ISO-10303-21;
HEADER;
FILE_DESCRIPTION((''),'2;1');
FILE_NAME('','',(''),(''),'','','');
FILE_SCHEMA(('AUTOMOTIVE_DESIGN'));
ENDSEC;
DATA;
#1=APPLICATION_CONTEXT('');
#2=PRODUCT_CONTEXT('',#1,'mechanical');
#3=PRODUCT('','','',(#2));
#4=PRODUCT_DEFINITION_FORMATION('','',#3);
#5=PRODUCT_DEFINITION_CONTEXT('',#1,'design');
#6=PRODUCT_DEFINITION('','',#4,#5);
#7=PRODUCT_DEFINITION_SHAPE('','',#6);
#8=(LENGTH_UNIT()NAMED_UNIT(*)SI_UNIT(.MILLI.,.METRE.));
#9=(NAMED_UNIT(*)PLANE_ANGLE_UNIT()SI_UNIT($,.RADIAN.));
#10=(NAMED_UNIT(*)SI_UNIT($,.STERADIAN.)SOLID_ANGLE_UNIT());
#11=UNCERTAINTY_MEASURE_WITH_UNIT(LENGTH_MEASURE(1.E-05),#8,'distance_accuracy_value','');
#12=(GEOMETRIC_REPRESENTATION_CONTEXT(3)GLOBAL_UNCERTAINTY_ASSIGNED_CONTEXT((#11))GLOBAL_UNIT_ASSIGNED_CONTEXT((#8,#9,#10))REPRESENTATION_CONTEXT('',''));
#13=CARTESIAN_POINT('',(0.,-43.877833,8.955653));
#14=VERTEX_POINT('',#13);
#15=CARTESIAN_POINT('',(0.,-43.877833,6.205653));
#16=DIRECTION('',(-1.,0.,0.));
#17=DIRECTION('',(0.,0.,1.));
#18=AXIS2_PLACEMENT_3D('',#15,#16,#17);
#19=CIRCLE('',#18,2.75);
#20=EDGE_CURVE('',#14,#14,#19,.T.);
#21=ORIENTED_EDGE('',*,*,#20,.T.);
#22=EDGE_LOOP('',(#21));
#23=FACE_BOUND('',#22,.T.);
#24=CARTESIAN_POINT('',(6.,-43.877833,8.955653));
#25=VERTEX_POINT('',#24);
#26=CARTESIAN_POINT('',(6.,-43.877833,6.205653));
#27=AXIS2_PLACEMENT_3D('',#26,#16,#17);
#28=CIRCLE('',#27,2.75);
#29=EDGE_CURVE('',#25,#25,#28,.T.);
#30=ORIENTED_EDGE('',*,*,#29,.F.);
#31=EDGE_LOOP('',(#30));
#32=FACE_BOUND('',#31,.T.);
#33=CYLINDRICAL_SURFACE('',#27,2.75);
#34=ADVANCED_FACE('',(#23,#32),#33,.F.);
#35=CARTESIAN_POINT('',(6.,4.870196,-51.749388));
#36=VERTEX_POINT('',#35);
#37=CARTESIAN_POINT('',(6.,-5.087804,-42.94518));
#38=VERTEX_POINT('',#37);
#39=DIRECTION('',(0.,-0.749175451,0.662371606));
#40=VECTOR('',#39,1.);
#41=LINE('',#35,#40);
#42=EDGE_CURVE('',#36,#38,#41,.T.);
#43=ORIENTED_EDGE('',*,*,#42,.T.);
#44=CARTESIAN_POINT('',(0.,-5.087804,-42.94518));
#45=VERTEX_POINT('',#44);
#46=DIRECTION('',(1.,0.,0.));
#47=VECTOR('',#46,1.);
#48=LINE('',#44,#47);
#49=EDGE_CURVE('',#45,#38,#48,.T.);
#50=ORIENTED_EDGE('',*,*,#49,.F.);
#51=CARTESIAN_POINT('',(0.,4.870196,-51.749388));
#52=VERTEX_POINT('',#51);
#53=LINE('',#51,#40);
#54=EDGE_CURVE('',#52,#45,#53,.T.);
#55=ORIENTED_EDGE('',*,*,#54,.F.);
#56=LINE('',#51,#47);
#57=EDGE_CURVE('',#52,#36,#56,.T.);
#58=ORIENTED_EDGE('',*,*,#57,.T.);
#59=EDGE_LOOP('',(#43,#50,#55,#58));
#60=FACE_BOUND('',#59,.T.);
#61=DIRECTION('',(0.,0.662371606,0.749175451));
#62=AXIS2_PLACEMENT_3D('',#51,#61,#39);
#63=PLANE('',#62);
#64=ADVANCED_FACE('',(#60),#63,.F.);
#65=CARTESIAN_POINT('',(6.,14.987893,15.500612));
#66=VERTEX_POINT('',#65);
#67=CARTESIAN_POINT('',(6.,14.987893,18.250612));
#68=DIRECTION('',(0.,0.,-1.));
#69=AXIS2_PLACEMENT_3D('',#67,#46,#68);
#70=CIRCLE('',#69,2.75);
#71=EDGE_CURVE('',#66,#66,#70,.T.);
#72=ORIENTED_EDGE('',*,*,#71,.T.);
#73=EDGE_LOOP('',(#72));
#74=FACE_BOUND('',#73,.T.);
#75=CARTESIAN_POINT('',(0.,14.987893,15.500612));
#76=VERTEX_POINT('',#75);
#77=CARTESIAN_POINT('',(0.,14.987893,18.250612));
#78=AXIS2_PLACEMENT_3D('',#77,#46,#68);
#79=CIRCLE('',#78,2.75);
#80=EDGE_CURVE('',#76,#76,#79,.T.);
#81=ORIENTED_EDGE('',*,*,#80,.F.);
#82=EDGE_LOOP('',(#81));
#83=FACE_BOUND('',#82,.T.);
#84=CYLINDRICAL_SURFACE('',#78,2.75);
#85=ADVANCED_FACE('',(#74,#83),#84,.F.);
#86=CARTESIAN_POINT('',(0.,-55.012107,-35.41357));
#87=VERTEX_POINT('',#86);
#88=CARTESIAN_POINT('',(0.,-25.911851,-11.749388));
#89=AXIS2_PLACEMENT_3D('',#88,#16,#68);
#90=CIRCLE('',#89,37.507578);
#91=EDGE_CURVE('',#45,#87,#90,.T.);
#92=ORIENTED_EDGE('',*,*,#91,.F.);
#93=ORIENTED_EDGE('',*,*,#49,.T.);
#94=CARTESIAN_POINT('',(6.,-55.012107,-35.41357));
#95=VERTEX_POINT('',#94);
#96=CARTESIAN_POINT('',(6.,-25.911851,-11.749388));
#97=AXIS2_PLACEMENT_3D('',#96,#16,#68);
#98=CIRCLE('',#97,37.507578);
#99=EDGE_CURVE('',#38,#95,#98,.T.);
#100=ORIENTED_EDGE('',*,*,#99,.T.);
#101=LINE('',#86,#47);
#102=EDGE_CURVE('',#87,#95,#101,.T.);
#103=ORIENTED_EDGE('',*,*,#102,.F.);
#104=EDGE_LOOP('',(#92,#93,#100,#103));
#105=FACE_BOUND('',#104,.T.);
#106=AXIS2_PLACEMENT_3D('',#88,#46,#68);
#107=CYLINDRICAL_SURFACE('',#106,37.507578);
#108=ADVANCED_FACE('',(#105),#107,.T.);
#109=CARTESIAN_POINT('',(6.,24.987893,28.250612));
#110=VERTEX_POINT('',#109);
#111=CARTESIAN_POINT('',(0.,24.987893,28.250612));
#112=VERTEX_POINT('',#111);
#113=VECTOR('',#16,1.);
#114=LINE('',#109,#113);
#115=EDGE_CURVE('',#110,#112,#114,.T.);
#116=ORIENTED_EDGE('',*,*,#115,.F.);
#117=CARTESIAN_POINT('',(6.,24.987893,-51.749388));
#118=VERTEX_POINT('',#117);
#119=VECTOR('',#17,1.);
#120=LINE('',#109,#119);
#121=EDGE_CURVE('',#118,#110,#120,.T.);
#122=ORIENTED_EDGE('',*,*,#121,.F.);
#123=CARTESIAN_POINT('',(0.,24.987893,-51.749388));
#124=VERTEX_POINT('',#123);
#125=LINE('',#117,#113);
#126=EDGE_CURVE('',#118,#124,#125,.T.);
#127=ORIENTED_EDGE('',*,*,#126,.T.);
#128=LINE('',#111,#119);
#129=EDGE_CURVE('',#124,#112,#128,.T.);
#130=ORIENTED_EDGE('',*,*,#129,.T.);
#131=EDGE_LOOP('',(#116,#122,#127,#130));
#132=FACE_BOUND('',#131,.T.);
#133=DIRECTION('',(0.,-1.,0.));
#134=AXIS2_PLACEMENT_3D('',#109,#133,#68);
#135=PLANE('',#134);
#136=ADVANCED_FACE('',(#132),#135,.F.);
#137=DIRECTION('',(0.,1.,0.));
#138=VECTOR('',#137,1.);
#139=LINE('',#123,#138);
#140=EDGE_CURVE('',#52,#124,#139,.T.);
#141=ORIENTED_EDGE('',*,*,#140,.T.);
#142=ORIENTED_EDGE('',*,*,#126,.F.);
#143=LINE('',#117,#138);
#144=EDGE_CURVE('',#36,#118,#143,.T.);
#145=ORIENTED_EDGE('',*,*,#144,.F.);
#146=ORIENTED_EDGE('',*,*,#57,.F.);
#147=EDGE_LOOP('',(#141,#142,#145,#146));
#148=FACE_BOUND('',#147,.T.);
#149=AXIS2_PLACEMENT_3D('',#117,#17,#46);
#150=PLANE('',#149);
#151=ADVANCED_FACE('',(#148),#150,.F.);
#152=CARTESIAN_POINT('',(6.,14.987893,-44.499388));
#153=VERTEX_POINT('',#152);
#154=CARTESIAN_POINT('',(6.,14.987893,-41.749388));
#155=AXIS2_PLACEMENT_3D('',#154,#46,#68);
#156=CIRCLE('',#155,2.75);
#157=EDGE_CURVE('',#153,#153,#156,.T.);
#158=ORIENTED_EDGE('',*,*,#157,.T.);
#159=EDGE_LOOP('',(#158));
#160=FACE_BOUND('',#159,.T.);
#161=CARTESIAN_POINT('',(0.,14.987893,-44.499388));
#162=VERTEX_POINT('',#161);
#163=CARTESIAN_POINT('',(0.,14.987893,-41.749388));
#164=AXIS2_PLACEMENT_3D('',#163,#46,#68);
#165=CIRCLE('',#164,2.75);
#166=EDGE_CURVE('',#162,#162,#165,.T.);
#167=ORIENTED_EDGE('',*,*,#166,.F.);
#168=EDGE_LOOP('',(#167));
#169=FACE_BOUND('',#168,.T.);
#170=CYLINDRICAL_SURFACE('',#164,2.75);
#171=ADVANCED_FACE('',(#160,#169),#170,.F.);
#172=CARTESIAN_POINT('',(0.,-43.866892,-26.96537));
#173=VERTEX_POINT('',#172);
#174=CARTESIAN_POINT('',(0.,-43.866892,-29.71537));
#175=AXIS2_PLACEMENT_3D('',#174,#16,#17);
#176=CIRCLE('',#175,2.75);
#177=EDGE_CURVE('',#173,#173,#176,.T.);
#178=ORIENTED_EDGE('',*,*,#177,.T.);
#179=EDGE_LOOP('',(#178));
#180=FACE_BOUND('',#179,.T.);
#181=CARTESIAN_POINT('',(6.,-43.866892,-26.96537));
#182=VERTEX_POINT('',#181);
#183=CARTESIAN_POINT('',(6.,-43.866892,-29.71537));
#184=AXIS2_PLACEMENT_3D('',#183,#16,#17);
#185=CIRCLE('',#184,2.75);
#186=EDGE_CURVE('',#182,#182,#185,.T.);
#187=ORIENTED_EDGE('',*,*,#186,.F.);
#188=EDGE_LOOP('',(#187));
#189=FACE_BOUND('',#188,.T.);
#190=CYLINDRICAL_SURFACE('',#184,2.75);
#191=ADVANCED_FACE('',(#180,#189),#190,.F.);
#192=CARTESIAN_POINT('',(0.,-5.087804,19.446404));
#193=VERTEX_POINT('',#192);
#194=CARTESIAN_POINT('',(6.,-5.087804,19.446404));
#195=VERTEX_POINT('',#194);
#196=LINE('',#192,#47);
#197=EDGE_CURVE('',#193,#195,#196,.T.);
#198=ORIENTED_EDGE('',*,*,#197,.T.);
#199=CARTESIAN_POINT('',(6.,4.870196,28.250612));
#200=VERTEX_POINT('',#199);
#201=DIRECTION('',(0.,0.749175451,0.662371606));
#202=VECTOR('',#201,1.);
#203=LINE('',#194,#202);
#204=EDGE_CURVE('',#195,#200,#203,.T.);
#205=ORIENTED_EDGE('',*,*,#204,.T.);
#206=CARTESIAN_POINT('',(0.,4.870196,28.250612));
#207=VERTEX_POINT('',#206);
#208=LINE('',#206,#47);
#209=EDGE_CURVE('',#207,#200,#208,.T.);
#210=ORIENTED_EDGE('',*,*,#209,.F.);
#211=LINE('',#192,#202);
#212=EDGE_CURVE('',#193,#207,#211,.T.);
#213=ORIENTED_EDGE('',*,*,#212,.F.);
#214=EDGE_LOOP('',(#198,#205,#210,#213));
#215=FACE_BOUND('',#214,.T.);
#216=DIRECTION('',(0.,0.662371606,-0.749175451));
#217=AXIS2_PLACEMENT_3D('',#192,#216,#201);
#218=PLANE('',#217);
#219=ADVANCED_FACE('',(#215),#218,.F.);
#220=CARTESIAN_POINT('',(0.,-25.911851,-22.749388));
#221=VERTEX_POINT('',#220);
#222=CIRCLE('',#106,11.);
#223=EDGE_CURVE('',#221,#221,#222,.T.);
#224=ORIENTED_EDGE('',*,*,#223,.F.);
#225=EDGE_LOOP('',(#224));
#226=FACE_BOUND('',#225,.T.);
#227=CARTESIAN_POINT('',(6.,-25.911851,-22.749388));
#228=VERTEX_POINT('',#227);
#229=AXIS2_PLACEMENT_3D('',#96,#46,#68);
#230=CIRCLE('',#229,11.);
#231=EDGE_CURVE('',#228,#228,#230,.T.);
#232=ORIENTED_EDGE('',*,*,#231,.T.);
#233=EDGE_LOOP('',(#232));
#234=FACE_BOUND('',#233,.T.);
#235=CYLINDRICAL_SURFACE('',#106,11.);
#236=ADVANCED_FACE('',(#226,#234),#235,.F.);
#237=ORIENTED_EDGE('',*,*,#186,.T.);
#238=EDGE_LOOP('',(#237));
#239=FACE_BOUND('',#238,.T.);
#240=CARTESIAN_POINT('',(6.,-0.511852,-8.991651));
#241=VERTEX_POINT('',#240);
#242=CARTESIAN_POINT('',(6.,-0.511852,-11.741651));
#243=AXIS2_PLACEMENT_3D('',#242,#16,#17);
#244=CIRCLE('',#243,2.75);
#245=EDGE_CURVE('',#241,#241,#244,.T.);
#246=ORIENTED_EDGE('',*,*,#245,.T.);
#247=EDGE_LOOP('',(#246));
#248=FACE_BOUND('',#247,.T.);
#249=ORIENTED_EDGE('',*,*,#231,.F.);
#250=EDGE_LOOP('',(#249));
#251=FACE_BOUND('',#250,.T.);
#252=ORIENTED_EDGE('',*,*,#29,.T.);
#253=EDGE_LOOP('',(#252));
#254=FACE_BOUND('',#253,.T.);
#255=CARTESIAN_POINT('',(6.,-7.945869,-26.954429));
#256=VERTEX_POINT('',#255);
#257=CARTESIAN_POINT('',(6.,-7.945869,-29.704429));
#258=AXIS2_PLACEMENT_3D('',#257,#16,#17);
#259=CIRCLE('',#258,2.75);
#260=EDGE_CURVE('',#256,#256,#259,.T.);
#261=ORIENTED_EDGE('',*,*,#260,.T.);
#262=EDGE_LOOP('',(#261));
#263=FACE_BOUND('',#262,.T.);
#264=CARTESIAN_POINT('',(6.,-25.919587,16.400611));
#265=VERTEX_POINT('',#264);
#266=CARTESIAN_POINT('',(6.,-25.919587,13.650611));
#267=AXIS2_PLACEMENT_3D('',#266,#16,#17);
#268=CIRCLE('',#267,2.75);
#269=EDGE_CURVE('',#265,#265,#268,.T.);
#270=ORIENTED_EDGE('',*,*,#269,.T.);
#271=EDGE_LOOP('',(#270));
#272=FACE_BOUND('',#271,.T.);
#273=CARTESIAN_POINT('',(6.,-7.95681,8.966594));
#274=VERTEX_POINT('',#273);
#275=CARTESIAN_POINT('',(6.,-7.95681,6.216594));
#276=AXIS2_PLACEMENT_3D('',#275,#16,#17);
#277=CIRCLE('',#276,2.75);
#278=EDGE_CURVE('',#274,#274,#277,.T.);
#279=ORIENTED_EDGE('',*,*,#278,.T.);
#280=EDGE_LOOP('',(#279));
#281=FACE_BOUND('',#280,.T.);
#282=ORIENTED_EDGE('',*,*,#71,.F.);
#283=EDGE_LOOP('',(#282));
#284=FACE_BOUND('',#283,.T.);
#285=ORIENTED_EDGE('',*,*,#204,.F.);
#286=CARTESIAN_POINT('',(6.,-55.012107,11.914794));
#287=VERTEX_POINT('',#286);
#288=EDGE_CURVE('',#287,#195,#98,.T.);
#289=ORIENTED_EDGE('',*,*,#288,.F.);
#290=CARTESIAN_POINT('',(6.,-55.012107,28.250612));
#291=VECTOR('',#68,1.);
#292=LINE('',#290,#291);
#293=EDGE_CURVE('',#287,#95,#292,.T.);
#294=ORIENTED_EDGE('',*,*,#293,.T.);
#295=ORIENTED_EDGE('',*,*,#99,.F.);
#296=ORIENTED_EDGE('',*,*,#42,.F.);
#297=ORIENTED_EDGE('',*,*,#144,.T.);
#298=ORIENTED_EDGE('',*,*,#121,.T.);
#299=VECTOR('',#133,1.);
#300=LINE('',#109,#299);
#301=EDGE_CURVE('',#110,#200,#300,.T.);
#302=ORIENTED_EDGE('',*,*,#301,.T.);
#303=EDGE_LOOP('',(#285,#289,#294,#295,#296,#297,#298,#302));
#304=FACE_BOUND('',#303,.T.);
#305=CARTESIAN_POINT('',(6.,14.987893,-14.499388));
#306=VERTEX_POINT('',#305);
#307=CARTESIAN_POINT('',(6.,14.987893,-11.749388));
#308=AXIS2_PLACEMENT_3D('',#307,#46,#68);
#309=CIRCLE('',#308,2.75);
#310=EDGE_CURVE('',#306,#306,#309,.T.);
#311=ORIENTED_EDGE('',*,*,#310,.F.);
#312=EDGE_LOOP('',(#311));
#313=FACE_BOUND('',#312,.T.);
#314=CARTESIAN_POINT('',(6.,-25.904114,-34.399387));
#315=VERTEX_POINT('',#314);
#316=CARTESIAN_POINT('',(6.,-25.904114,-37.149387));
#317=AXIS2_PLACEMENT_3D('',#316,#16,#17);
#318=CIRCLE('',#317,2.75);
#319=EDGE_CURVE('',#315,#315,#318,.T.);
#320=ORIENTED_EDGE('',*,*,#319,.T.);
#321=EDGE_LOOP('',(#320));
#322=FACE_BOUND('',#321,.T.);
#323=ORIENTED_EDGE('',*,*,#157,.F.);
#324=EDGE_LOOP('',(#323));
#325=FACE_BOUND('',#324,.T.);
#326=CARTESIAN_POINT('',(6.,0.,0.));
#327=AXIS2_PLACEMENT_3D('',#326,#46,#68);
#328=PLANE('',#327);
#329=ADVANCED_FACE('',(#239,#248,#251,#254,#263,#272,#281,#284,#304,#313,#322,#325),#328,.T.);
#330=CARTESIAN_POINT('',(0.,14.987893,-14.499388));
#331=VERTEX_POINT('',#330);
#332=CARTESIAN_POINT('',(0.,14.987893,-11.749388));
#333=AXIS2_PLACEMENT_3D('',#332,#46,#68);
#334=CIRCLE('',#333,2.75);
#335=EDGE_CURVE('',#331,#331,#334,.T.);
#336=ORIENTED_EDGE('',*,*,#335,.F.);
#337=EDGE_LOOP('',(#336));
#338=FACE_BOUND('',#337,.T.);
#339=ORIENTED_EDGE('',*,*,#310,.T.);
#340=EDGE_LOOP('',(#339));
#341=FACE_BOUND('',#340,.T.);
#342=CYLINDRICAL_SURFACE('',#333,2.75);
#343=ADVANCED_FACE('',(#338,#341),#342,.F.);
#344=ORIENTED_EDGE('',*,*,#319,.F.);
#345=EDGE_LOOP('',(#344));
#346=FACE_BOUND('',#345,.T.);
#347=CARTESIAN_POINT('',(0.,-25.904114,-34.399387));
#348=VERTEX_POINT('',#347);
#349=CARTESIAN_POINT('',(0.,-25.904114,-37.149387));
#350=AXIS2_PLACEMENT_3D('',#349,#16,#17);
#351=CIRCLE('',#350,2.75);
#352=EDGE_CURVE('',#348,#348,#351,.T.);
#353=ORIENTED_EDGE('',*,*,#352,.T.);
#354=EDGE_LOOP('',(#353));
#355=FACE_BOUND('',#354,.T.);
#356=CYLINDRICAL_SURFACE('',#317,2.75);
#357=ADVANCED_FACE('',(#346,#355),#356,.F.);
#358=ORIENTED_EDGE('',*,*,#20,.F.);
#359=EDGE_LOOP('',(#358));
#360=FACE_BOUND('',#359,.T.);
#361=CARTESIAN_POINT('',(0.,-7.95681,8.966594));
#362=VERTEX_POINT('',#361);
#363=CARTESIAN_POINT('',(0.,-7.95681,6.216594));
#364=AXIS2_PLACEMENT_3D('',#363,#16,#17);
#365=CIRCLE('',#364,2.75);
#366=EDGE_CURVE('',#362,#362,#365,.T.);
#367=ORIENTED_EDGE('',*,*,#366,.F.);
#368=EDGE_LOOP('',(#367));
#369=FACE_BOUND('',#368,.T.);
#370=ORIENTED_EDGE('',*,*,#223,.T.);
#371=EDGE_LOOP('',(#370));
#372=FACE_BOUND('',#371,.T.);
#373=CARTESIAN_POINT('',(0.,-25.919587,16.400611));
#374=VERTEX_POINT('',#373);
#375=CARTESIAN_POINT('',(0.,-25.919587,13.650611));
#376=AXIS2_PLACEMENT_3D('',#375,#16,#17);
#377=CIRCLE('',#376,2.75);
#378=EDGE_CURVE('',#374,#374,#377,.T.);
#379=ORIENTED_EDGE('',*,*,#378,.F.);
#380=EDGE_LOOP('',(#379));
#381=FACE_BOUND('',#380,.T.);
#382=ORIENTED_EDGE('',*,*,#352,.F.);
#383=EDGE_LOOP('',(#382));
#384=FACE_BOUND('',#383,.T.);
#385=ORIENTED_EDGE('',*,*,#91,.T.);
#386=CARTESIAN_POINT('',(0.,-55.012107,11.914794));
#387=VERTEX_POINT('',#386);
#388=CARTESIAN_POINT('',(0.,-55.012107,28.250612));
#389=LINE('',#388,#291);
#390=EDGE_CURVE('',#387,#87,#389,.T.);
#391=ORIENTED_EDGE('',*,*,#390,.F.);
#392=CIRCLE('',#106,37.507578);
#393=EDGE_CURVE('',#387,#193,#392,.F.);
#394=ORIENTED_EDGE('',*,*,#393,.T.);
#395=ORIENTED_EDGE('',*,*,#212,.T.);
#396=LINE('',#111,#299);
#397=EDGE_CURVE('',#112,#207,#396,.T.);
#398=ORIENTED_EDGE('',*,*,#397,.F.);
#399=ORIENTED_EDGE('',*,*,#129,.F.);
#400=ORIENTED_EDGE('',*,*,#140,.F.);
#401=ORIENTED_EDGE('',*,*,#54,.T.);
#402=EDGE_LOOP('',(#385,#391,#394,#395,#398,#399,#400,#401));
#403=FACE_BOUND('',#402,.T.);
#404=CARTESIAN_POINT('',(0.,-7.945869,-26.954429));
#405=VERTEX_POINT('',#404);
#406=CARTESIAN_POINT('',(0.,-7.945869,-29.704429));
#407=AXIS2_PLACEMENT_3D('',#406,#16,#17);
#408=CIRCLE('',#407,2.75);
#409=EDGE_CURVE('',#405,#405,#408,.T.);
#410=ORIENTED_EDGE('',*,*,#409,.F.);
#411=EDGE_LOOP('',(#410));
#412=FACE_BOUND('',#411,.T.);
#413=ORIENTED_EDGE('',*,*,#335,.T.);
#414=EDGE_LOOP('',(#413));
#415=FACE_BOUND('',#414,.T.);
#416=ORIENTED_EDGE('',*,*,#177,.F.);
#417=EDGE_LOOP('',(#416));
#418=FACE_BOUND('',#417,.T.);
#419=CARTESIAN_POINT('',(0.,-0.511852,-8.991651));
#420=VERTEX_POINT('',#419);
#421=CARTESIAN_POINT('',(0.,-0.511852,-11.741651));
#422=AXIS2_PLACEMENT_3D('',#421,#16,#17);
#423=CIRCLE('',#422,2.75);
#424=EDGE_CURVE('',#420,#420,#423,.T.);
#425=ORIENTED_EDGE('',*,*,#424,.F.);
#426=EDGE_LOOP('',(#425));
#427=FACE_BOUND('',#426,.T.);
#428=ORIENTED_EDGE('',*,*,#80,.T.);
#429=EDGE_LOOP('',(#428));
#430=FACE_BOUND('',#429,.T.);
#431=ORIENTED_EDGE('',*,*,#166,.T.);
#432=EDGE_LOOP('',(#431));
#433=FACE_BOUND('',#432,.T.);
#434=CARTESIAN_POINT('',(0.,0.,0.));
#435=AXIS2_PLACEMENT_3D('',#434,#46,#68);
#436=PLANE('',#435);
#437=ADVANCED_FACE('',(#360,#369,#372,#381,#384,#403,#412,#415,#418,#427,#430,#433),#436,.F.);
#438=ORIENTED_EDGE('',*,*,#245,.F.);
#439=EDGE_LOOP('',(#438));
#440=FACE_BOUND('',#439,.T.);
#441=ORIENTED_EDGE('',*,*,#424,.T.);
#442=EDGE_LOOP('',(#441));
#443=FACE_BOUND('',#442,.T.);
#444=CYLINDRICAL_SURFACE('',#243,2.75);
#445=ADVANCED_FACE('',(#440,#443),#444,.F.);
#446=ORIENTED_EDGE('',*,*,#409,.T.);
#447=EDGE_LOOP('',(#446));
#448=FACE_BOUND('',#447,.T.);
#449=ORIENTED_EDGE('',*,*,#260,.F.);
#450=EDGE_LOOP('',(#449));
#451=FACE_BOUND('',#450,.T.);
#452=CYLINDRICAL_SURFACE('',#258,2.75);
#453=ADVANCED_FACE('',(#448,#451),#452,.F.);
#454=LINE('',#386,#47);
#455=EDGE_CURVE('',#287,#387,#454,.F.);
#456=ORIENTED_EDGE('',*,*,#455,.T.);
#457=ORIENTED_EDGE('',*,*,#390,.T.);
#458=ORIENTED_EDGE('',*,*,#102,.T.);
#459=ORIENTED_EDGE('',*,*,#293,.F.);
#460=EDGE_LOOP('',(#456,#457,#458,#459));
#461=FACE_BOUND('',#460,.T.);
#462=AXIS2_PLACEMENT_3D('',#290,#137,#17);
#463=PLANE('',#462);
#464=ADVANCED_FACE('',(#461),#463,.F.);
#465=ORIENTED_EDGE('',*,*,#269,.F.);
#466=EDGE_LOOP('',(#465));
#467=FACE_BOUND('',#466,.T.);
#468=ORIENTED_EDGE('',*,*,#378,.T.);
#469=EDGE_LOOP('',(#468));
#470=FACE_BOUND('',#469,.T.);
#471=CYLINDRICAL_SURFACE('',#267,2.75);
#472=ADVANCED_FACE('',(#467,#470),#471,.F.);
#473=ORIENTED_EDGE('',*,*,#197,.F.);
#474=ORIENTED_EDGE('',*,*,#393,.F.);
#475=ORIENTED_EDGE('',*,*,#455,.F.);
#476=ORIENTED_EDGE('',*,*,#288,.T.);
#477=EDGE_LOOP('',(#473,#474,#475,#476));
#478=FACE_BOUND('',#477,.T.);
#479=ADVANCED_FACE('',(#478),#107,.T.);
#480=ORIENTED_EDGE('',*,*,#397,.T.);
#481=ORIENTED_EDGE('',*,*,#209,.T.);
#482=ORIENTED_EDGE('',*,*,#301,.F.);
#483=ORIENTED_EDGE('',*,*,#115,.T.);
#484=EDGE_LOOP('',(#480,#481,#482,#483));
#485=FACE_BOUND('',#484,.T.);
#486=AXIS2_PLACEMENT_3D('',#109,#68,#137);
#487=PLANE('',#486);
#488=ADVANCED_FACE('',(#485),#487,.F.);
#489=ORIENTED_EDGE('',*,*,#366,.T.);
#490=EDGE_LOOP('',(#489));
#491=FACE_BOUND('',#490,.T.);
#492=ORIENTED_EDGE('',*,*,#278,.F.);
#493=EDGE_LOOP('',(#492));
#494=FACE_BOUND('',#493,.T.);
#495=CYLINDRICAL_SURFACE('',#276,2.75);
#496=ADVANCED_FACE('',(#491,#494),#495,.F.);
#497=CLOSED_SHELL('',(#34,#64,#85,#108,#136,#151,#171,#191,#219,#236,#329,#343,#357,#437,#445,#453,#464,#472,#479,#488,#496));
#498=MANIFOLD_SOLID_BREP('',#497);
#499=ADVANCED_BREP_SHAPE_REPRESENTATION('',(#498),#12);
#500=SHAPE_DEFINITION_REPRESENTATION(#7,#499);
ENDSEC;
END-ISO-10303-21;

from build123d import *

# Parameters (mm, degrees)
SKETCH1_W           = 80
SKETCH1_H           = 80
BOSS_EXTRUDE1_DEPTH = 6
SKETCH2_R           = 11
SKETCH2_R_2         = 2.75
CUT_EXTRUDE1_DEPTH  = 7
SKETCH3_R           = 2.75
CUT_EXTRUDE2_DEPTH  = 7
CUT_EXTRUDE3_DEPTH  = 7


with BuildPart() as part:
    # Sketch1 → Boss-Extrude1 (new body)
    with BuildSketch(Plane(origin=(0, 0, 0), x_dir=(0, 0, -1), z_dir=(1, 0, 0))):
        with Locations((11.749387771, -15.012106538)):
            Rectangle(SKETCH1_W, SKETCH1_H)
    extrude(amount=BOSS_EXTRUDE1_DEPTH)

    # Sketch2 → Cut-Extrude1 (cut, through all)
    with BuildSketch(Plane(origin=(6, 0, 0), x_dir=(0, 0, -1), z_dir=(1, 0, 0))):
        with Locations((11.749387771, -25.911850923)):
            Circle(SKETCH2_R)
        with Locations((-18.250612229, 14.987893462)):
            Circle(SKETCH2_R_2)
        with Locations((41.749387771, 14.987893462)):
            Circle(SKETCH2_R_2)
        with Locations((11.749387771, 14.987893462)):
            Circle(SKETCH2_R_2)
    extrude(amount=-CUT_EXTRUDE1_DEPTH, mode=Mode.SUBTRACT)

    # Sketch3 → Cut-Extrude2 (cut, through all)
    with BuildSketch(Plane.ZY):
        with Locations((6.216594167, -7.956810044)):
            Circle(SKETCH3_R)
        with Locations((-11.741651274, -0.511852102)):
            Circle(SKETCH3_R)
        with Locations((-29.704428651, -7.945868985)):
            Circle(SKETCH3_R)
        with Locations((-37.149386593, -25.904114427)):
            Circle(SKETCH3_R)
        with Locations((-29.715369709, -43.866891803)):
            Circle(SKETCH3_R)
        with Locations((6.205653109, -43.877832862)):
            Circle(SKETCH3_R)
        with Locations((13.650611051, -25.91958742)):
            Circle(SKETCH3_R)
    extrude(amount=-CUT_EXTRUDE2_DEPTH, mode=Mode.SUBTRACT)

    # Sketch5 → Cut-Extrude3 (cut, through all)
    with BuildSketch(Plane(origin=(6, 0, 0), x_dir=(0, 0, -1), z_dir=(1, 0, 0))):
        with BuildLine():
            Line((-19.446404481, -5.087804094), (-28.250612229, 4.870195687))
            Line((-28.250612229, 4.870195687), (-37.780318954, -56.381008327))
            Line((-37.780318954, -56.381008327), (19.620213458, -79.7647401))
            Line((19.620213458, -79.7647401), (69.424766919, -54.649801307))
            Line((69.424766919, -54.649801307), (51.749387771, 4.870195687))
            Line((51.749387771, 4.870195687), (42.945180022, -5.087804094))
            ThreePointArc((42.945180022, -5.087804094), (11.749387771, -63.419428565), (-19.446404481, -5.087804094))
        make_face()
    extrude(amount=-CUT_EXTRUDE3_DEPTH, mode=Mode.SUBTRACT)


solid = part.part
